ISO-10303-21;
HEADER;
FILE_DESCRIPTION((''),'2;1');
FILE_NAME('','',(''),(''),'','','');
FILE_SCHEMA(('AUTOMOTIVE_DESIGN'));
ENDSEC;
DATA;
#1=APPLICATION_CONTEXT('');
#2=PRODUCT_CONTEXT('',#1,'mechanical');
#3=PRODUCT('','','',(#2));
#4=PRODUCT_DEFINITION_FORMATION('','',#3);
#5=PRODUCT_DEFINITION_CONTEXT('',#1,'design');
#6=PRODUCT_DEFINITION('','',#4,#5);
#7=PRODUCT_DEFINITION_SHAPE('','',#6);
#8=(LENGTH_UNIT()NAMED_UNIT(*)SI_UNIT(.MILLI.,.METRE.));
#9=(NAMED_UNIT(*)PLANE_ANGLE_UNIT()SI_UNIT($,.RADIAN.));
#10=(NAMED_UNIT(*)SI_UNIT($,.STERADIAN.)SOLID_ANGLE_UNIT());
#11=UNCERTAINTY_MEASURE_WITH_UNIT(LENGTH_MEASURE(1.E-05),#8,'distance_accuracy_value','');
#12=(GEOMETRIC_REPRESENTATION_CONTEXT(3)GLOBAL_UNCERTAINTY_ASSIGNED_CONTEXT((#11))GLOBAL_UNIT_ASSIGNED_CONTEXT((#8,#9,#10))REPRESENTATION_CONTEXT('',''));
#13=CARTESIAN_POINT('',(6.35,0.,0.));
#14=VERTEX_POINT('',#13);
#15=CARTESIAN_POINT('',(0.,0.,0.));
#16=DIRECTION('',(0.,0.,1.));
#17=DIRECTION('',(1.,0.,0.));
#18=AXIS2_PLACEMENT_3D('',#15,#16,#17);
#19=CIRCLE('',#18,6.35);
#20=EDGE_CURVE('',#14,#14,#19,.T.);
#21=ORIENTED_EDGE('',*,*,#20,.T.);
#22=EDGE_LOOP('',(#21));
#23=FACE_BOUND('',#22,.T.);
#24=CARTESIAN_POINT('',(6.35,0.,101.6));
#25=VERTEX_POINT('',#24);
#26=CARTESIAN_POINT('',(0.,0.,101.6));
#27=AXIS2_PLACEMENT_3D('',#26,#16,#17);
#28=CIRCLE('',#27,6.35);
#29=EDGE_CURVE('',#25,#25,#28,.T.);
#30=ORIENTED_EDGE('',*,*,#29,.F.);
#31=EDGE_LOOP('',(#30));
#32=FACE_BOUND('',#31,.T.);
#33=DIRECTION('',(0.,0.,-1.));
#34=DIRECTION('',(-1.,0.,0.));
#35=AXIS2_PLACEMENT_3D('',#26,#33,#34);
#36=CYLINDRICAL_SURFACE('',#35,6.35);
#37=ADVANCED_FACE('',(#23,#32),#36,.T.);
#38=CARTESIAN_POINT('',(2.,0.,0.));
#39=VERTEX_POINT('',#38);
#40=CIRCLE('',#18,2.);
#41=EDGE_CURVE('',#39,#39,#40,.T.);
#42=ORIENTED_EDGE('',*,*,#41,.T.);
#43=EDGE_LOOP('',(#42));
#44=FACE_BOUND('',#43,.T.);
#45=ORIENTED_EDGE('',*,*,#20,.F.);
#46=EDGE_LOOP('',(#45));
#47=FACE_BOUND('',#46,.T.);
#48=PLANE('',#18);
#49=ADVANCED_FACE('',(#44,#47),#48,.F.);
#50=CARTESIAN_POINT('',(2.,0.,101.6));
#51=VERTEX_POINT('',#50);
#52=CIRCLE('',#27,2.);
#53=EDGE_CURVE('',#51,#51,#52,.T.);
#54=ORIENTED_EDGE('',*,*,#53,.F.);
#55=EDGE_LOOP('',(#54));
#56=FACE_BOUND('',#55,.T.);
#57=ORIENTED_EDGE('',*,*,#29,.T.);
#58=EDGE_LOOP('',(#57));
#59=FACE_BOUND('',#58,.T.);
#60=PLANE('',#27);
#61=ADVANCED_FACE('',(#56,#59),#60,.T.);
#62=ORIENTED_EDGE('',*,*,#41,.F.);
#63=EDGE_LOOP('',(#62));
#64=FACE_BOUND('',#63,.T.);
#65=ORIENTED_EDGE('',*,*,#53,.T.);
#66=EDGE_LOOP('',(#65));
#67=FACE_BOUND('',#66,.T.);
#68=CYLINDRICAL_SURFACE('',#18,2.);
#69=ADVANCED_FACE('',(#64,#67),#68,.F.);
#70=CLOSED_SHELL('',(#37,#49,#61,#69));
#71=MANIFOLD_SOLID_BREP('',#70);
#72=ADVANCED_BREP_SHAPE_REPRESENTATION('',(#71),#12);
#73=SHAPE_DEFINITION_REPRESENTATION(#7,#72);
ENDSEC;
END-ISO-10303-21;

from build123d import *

# Parameters (mm, degrees)
SKETCH1_R           = 6.35
BOSS_EXTRUDE1_DEPTH = 101.6
SKETCH2_R           = 2
CUT_EXTRUDE1_DEPTH  = 102.6


with BuildPart() as part:
    # Sketch1 → Boss-Extrude1 (new body)
    with BuildSketch(Plane.XY):
        Circle(SKETCH1_R)
    extrude(amount=BOSS_EXTRUDE1_DEPTH)

    # Sketch2 → Cut-Extrude1 (cut, through all)
    with BuildSketch(Plane.XY.offset(101.6)):
        Circle(SKETCH2_R)
    extrude(amount=-CUT_EXTRUDE1_DEPTH, mode=Mode.SUBTRACT)


solid = part.part
